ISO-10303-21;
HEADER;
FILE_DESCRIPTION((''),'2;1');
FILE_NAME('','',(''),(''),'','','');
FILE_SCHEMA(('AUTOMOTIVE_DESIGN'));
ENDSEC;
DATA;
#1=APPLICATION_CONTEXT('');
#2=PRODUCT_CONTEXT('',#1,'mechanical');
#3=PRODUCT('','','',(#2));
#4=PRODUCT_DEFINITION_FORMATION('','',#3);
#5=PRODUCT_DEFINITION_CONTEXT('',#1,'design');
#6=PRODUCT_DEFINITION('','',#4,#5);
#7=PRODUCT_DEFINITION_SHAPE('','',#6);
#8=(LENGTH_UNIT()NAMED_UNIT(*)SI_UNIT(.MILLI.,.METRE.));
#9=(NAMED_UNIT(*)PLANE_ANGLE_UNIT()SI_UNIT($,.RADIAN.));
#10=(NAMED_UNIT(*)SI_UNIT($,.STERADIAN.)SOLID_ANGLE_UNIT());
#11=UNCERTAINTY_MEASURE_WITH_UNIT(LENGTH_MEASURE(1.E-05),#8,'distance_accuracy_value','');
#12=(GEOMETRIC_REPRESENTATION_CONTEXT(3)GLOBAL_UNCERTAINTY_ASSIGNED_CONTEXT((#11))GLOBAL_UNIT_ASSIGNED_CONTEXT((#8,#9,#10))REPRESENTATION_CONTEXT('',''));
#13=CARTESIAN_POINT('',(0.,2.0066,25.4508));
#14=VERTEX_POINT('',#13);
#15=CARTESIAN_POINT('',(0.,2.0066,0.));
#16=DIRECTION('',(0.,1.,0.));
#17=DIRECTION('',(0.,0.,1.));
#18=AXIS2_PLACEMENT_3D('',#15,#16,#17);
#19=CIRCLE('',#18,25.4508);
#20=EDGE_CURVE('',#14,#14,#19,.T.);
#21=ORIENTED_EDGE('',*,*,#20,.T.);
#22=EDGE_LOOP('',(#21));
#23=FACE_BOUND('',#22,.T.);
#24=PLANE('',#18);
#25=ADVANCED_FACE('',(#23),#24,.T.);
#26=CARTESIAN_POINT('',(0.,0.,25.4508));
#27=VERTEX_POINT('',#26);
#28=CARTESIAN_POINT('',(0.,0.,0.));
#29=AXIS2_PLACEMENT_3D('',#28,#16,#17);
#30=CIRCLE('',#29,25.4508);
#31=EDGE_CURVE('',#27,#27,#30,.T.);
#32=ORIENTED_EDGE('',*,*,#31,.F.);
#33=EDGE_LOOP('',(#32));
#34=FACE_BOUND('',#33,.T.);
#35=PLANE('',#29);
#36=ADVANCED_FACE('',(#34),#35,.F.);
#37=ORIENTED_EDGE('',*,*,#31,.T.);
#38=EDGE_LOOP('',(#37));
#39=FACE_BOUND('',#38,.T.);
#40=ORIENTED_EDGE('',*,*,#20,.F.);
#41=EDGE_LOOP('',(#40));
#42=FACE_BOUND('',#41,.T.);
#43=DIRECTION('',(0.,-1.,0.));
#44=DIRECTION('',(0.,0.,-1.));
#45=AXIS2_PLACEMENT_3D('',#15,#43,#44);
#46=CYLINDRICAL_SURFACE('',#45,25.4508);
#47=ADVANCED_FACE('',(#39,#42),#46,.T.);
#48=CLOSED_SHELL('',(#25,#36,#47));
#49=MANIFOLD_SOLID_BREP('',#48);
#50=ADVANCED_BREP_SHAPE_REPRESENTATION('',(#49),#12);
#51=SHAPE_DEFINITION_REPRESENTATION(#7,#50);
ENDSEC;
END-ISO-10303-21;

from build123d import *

# Parameters (mm, degrees)
SKETCH1_R           = 25.4508
BOSS_EXTRUDE1_DEPTH = 2.0066


with BuildPart() as part:
    # Sketch1 → Boss-Extrude1 (new body)
    with BuildSketch(Plane(origin=(0, 0, 0), x_dir=(1, 0, 0), z_dir=(0, 1, 0))):
        Circle(SKETCH1_R)
    extrude(amount=BOSS_EXTRUDE1_DEPTH)


solid = part.part
